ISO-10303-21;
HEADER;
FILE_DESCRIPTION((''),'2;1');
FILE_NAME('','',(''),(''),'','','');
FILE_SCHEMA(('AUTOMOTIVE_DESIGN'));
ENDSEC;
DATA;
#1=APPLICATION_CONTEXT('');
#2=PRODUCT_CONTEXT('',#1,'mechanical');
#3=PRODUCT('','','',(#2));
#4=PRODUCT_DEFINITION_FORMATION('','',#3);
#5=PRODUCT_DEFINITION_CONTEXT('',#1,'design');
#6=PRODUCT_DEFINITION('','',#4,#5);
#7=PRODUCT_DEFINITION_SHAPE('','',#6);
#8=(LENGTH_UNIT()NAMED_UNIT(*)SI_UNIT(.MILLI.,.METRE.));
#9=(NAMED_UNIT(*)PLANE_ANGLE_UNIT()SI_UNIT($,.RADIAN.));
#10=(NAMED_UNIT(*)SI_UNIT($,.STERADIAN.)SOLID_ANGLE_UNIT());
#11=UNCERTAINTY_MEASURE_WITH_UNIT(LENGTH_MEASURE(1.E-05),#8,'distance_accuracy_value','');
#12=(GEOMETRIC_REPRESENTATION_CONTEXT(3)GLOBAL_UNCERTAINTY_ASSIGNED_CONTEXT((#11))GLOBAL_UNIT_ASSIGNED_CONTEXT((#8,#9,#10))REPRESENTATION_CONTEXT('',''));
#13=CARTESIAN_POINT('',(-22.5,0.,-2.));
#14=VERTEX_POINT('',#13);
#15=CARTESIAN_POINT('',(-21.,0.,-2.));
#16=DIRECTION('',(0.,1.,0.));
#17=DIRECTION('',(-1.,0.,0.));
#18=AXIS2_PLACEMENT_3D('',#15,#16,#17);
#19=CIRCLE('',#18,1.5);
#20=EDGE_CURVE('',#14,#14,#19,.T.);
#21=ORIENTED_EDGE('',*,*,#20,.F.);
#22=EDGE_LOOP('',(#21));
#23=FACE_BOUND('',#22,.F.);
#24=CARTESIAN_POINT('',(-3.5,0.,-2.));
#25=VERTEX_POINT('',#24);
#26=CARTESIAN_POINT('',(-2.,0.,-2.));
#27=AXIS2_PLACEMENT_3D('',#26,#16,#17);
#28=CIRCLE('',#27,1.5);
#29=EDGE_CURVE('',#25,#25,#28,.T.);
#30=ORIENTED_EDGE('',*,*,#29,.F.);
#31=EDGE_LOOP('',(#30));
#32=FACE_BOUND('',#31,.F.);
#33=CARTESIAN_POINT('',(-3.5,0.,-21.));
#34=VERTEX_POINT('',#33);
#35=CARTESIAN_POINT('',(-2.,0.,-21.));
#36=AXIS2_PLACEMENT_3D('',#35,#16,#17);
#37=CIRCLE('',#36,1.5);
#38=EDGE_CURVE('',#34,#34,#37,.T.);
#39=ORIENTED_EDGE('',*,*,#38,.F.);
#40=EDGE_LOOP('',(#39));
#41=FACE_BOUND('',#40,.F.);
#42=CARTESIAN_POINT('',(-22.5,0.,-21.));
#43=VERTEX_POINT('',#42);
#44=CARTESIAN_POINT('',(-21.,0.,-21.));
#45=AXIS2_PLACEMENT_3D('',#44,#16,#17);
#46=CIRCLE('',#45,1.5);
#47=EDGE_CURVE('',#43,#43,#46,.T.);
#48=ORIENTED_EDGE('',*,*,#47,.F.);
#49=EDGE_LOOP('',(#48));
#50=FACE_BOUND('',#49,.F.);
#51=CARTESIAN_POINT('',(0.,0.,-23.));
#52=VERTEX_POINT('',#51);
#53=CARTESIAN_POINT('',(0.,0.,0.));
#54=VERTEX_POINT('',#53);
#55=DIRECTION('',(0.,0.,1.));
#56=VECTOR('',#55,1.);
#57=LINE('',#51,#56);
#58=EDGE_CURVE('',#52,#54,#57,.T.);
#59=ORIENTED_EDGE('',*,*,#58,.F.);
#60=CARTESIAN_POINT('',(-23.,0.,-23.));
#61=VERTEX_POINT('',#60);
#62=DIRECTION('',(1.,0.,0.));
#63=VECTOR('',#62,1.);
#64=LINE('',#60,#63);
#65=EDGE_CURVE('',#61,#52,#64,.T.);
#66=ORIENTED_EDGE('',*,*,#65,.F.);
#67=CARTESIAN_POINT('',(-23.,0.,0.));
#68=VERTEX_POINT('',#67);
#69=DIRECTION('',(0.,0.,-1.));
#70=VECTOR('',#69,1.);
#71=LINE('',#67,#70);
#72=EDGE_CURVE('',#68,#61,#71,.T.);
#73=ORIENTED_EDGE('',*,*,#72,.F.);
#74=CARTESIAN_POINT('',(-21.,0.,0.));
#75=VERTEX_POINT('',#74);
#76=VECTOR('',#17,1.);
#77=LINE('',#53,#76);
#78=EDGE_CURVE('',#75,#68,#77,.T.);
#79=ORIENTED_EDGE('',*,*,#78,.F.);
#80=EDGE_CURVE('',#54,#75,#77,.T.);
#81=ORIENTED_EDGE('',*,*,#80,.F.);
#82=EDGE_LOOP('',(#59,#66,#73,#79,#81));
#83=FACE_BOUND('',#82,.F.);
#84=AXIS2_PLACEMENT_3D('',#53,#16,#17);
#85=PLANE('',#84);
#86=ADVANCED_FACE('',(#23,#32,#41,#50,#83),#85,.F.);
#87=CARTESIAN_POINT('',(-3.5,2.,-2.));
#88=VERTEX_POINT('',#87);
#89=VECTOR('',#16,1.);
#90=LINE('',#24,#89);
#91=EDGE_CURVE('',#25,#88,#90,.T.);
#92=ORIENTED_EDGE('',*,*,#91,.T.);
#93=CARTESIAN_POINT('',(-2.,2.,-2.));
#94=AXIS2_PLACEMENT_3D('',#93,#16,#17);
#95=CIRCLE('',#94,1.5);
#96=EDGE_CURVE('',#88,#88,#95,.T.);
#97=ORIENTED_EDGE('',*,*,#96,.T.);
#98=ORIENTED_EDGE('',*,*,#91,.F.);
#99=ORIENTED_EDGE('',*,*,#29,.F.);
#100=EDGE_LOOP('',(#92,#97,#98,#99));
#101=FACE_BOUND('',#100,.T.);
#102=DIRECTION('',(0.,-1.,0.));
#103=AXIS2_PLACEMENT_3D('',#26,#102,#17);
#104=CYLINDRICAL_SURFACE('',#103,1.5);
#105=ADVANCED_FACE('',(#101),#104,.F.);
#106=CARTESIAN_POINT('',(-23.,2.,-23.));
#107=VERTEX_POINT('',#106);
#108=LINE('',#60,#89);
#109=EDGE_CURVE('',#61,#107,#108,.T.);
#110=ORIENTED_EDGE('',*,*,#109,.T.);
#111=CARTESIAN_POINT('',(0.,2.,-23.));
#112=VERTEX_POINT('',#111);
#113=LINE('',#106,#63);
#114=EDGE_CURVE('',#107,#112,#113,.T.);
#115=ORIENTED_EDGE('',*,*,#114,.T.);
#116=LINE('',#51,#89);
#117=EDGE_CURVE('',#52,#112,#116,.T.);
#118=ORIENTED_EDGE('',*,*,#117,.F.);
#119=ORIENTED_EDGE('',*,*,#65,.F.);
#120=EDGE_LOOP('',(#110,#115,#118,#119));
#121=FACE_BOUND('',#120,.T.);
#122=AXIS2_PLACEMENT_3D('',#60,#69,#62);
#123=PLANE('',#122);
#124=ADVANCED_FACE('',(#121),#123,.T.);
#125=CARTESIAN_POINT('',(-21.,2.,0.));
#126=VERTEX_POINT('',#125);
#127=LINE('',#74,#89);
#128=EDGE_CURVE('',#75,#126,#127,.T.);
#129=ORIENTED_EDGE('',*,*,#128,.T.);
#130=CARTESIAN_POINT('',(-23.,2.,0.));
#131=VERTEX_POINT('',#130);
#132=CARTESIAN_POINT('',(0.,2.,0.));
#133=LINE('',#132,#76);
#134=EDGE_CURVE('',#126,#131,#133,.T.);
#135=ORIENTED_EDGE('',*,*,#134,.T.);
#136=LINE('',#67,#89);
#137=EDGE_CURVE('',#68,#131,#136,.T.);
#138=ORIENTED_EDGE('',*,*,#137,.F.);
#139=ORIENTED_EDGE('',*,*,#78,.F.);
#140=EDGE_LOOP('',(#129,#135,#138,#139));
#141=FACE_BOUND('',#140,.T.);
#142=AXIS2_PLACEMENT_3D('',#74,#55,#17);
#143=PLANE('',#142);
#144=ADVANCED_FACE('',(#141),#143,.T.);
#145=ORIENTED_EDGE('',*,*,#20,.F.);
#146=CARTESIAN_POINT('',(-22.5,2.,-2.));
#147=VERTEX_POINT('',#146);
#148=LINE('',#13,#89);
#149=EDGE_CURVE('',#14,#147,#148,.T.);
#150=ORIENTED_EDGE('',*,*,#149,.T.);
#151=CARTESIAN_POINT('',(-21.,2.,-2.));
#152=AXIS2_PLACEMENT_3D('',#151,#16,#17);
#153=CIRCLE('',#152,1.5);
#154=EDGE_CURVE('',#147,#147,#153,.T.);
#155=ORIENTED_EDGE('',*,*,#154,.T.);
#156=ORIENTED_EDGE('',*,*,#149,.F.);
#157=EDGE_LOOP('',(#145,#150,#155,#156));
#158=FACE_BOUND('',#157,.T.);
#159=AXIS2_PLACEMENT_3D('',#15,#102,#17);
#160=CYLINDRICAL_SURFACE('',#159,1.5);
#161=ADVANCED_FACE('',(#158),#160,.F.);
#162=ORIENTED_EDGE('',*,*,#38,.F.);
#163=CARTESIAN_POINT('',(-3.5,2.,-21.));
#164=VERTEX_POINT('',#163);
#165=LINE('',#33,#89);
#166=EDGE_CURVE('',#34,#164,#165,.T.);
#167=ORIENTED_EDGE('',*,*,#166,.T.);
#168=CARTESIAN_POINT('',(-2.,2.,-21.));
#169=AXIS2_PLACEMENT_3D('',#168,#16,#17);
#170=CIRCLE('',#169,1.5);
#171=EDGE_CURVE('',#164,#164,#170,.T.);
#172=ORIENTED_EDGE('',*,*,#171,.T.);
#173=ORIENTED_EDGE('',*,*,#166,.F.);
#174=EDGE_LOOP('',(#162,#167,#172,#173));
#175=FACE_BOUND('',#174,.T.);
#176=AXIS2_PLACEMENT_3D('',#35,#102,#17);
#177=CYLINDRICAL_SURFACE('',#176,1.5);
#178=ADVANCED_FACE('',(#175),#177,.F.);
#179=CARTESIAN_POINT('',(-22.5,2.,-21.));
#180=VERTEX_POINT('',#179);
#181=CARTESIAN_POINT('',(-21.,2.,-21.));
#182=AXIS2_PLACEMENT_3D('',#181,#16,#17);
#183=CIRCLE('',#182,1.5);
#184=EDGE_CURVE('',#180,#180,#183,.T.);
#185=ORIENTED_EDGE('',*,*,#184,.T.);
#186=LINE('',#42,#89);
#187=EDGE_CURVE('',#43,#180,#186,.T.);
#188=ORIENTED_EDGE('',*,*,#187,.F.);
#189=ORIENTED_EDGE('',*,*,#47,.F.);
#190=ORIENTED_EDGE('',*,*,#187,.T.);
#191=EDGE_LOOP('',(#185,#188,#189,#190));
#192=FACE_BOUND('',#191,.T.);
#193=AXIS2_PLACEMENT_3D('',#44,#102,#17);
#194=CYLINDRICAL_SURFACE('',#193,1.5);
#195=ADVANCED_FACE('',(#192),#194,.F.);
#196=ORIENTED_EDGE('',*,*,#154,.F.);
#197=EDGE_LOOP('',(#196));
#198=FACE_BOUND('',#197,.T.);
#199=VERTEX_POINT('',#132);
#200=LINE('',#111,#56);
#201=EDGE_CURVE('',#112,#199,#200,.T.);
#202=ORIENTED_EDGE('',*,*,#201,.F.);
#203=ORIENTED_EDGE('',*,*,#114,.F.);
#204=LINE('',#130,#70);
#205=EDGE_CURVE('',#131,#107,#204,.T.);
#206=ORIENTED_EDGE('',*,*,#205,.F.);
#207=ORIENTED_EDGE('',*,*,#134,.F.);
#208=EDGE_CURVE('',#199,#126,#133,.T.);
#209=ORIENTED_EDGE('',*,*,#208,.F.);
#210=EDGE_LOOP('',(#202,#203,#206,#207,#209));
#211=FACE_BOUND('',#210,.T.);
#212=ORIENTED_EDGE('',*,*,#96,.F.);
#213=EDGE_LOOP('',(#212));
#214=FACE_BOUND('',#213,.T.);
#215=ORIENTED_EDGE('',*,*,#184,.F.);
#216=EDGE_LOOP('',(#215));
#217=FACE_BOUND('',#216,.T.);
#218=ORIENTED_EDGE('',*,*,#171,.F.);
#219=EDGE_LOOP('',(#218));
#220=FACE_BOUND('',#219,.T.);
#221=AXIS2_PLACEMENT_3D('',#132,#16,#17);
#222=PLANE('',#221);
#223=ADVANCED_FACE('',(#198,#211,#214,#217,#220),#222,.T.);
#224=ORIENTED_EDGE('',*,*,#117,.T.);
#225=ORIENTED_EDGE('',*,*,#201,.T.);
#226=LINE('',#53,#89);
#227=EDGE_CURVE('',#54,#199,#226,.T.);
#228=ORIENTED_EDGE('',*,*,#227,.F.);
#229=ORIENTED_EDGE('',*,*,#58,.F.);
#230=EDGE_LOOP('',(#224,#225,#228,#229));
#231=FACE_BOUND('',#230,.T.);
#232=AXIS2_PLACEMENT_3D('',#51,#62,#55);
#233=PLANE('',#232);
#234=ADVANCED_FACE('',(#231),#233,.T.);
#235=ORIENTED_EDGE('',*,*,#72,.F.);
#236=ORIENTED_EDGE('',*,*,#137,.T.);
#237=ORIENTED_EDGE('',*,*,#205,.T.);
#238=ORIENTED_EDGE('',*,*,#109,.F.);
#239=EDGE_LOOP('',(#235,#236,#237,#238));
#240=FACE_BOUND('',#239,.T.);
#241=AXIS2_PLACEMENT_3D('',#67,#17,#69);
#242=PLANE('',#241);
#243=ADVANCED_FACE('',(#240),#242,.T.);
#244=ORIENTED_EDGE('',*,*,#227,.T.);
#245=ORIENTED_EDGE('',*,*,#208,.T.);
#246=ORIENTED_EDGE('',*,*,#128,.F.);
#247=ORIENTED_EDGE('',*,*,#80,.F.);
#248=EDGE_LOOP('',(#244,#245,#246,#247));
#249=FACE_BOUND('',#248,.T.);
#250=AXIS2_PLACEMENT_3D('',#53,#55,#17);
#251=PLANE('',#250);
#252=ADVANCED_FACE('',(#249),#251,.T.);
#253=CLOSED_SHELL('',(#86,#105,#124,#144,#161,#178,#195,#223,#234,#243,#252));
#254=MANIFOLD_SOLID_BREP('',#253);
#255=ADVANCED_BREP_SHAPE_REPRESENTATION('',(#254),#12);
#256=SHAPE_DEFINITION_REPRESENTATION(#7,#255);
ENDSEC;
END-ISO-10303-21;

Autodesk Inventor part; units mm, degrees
ref_plane "YZ Plane" through (0, 0, 0) normal (1, 0, 0) x (0, 1, 0)
ref_plane "XZ Plane" through (0, 0, 0) normal (0, 1, 0) x (-1, 0, 0)
ref_plane "XY Plane" through (0, 0, 0) normal (0, 0, 1) x (1, 0, 0)
sketch "Sketch1" plane through (0, 0, 0) normal (0, 1, 0) x (-1, 0, 0)
  line L0 (0, 0) -> (23, 0)
  line L1 (23, 0) -> (23, -23)
  line L2 (23, -23) -> (0, -23)
  line L3 (0, -23) -> (0, 0)
  line L4 (23, 0) -> (21, 0)
  circle A0 centre (21, -2) radius 1.5
  circle A1 centre (2, -2) radius 1.5
  circle A2 centre (21, -21) radius 1.5
  circle A3 centre (2, -21) radius 1.5
  dimension "d0" = 23
  dimension "d1" = 23
  dimension "d4" = 3
extrude "Extrusion1" add sketch "Sketch1" along normal blind 2
properties part number "Mag_Sensor"
